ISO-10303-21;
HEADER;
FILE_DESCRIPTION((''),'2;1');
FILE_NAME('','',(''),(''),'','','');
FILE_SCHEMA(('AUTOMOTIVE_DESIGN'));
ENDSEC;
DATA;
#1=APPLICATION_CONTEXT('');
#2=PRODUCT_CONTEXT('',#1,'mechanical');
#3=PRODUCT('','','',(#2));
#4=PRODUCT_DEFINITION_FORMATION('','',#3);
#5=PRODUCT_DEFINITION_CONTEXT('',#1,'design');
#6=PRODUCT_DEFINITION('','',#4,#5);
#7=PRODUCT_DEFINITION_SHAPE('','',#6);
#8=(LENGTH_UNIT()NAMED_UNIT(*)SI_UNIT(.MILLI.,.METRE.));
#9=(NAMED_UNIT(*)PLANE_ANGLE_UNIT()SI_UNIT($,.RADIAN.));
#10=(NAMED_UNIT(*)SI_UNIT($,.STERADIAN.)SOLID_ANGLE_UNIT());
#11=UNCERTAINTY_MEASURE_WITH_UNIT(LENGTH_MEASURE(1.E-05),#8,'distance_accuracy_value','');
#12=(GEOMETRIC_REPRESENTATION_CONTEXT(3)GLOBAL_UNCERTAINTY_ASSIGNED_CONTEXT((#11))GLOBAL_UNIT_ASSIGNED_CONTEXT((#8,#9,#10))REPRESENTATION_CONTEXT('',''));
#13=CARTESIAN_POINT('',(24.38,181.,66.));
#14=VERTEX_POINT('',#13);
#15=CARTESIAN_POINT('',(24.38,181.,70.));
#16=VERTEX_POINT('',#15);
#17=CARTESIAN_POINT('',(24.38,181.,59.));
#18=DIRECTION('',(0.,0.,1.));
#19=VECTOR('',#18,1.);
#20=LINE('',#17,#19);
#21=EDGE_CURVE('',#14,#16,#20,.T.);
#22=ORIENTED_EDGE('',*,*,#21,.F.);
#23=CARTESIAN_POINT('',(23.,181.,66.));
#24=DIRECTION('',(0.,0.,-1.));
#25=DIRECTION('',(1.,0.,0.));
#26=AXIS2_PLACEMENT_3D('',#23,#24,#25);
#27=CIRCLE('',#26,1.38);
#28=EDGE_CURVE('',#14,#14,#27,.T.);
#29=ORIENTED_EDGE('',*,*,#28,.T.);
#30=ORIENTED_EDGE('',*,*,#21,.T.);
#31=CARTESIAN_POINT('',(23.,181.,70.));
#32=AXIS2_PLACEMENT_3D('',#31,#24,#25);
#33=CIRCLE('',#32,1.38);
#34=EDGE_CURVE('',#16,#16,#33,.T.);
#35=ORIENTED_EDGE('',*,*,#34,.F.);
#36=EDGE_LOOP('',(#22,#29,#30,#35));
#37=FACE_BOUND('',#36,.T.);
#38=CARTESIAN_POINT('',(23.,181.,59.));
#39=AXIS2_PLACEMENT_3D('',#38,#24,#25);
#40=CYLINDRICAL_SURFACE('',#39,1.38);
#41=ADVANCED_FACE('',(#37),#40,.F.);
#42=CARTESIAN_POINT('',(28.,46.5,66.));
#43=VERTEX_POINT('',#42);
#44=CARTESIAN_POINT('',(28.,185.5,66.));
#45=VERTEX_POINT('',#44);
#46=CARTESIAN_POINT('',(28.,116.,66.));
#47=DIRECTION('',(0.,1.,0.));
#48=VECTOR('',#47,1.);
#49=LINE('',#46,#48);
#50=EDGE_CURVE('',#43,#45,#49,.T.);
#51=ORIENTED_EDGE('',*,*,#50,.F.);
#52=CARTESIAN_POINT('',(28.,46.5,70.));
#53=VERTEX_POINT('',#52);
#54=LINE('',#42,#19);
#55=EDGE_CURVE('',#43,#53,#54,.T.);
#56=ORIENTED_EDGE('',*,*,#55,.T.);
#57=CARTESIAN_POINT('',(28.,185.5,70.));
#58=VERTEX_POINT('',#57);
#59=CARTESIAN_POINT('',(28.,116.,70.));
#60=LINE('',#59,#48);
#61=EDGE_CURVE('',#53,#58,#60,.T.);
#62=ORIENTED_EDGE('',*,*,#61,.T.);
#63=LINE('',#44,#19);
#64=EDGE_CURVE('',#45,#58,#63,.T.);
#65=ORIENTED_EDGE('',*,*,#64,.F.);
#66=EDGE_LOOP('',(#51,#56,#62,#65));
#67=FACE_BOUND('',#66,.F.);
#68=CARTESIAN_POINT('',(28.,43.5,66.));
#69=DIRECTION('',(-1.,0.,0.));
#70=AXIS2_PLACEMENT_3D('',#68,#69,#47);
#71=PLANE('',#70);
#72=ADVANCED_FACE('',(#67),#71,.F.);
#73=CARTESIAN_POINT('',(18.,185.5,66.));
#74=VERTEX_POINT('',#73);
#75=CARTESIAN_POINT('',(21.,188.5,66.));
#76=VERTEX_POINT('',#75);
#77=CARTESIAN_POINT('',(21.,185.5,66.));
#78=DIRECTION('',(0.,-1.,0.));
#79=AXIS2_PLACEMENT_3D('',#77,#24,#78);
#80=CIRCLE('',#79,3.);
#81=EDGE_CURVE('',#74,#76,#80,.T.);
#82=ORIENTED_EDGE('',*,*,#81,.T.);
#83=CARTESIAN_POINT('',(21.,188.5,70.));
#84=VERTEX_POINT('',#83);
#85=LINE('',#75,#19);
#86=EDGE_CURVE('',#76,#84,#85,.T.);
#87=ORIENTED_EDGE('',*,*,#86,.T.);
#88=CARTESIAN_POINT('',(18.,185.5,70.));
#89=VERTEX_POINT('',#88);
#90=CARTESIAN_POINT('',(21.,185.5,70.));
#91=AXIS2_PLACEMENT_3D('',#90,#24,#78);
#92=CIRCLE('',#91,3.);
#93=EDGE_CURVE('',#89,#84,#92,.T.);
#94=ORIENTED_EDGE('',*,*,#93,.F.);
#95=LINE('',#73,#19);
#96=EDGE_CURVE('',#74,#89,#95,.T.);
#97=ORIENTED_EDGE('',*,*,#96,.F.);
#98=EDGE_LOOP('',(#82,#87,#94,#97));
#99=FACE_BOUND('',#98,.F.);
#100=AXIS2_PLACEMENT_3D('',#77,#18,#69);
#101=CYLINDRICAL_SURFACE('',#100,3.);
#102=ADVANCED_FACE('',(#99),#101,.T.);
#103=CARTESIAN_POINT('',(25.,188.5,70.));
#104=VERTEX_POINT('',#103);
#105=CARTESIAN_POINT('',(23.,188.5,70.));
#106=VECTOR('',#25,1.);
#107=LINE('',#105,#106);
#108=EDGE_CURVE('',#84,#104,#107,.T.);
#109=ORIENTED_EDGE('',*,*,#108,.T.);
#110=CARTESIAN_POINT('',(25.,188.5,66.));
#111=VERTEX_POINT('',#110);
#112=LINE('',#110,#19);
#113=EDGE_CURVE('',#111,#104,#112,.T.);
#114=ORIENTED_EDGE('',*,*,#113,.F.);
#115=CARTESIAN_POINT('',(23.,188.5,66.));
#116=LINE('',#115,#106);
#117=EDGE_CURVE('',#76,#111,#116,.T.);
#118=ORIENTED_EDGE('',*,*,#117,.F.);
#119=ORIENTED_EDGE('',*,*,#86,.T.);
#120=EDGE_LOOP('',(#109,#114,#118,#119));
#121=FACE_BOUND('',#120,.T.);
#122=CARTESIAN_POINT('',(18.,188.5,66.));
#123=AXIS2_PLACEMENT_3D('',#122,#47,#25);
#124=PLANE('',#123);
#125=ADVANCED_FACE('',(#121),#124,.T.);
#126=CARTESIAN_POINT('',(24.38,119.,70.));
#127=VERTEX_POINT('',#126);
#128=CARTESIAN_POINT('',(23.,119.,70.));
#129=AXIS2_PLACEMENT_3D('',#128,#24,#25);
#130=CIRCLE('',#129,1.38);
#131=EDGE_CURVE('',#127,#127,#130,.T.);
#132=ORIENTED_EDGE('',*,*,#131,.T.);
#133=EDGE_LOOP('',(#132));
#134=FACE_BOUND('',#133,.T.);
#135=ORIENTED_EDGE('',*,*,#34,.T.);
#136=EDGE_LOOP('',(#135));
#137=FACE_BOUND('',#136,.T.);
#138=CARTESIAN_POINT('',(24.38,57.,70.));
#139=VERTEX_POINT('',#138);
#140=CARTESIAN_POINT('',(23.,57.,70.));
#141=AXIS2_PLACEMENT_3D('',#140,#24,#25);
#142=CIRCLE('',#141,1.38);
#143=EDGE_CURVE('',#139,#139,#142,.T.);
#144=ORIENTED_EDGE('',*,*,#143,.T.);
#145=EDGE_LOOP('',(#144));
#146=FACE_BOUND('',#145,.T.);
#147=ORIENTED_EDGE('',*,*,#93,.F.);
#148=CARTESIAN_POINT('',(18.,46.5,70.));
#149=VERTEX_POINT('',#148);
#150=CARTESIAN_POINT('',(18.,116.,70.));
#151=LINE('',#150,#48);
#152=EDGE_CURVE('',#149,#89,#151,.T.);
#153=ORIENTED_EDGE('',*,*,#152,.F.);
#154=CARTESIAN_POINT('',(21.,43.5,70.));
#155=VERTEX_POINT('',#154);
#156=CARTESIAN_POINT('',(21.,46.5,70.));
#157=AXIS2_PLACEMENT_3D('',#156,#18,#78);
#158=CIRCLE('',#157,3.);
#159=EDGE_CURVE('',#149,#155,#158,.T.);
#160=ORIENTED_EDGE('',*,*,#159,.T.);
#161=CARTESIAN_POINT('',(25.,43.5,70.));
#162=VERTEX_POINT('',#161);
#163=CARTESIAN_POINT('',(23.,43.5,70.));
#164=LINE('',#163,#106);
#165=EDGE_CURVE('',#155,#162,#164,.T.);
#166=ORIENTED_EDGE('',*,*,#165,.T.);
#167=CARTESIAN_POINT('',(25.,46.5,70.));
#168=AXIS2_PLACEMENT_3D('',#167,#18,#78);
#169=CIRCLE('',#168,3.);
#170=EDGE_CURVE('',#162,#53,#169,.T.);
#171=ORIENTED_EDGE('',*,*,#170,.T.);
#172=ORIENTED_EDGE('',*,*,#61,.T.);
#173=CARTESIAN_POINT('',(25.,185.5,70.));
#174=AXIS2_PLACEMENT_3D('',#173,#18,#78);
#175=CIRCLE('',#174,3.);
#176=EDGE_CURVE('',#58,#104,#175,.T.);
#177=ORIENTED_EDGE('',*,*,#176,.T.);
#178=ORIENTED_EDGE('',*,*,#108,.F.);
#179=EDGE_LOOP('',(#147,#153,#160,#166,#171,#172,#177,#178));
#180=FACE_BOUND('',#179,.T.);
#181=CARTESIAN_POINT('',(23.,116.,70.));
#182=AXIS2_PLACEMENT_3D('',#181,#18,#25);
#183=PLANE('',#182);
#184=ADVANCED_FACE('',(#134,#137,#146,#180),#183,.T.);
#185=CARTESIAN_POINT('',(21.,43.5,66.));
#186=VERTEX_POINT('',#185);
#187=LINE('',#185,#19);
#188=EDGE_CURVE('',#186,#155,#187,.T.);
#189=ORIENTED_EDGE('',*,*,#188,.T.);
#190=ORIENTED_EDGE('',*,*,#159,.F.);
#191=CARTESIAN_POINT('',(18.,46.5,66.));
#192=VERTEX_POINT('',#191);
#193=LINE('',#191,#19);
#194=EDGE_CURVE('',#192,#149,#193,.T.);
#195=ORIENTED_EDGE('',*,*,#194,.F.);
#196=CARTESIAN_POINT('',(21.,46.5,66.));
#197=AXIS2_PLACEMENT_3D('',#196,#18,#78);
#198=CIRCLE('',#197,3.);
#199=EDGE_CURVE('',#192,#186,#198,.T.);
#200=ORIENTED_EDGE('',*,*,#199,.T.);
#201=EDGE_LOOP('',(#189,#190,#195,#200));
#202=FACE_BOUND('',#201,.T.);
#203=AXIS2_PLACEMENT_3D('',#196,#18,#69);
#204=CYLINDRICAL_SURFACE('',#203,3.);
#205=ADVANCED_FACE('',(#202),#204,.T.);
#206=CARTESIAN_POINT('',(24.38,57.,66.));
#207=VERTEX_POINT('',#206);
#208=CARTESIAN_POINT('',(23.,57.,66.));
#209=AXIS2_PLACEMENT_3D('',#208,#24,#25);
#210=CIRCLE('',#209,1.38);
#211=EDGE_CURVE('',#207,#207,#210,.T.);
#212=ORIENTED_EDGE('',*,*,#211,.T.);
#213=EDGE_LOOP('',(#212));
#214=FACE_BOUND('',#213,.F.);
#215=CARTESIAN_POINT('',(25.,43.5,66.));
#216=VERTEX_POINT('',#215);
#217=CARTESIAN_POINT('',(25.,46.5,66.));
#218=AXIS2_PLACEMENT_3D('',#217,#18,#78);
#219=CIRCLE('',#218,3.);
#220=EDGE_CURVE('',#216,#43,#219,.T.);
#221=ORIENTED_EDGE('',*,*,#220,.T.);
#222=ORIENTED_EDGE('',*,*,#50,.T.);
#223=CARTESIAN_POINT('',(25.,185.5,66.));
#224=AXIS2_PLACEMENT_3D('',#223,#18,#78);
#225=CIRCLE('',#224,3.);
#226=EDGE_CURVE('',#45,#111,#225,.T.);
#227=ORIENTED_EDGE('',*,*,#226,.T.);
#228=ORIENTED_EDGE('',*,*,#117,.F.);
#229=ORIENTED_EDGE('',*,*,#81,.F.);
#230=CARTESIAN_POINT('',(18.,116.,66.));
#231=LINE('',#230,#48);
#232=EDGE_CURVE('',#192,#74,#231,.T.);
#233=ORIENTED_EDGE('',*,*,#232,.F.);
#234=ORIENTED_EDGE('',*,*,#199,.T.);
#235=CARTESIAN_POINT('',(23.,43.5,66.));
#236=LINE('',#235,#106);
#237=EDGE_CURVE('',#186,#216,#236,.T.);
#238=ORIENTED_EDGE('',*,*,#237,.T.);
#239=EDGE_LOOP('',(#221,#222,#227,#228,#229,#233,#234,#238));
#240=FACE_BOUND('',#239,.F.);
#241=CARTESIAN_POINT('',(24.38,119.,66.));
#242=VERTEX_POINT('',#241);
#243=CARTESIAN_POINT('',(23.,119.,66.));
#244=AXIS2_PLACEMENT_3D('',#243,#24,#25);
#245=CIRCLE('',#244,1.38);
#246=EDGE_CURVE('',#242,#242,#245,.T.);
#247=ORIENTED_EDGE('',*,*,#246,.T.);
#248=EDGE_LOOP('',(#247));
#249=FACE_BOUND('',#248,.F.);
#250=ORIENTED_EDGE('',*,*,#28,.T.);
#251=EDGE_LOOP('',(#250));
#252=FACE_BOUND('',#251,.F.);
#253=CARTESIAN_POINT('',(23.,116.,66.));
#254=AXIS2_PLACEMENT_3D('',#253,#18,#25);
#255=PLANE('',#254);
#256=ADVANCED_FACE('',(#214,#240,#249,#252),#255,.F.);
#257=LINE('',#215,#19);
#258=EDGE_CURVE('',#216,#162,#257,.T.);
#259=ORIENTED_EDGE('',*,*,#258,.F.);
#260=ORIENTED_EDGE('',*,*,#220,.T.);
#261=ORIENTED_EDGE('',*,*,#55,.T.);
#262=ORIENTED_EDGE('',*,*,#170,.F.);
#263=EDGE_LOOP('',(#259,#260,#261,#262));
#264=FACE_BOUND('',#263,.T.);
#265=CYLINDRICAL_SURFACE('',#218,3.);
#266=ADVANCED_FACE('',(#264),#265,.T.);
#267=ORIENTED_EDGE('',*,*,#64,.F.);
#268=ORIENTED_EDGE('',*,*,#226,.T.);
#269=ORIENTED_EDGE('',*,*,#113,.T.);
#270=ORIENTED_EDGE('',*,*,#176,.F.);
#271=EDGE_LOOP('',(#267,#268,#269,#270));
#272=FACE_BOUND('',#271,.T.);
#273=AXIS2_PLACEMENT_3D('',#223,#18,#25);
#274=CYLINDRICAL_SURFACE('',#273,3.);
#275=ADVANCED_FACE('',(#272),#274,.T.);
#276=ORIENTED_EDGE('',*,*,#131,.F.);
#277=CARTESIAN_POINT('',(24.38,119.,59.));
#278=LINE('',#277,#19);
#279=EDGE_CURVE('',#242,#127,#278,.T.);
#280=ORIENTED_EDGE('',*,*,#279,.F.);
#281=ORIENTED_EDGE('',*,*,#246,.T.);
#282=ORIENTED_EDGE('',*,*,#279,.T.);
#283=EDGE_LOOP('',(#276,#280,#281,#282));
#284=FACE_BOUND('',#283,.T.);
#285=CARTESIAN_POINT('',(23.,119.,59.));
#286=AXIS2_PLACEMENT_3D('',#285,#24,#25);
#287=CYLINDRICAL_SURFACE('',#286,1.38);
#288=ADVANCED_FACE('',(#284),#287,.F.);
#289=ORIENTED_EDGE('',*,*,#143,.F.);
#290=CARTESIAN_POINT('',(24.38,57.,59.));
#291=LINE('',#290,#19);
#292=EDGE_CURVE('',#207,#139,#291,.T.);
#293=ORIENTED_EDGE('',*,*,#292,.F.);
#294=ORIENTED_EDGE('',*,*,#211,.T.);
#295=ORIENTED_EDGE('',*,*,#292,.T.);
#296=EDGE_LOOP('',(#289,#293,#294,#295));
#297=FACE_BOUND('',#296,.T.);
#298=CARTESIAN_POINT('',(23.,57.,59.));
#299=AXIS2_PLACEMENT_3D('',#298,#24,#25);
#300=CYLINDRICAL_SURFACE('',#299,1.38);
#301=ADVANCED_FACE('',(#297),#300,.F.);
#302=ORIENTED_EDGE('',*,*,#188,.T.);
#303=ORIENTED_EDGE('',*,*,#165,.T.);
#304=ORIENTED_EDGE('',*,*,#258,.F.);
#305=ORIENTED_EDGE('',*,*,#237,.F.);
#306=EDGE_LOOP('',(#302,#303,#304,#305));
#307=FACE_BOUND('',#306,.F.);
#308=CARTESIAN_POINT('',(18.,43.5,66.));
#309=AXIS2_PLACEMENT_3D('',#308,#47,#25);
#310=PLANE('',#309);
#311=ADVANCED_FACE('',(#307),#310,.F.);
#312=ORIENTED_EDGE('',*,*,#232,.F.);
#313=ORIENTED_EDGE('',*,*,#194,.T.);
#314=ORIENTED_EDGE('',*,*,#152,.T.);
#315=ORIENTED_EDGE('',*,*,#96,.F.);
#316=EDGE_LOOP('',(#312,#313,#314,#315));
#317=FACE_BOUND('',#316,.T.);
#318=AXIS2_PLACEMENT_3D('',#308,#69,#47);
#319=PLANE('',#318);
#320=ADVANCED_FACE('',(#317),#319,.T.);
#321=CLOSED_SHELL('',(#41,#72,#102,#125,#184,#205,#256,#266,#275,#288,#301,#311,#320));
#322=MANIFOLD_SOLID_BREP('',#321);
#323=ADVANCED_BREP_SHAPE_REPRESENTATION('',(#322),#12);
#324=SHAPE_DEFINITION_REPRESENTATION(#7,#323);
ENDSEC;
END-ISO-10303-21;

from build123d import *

# Parameters (mm, degrees)
CYLINDER086_R     = 1.38
CYLINDER086_DEPTH = 13
CYLINDER088_R     = 1.38
CYLINDER088_DEPTH = 13
CYLINDER087_R     = 1.38
CYLINDER087_DEPTH = 13
BOX043_W          = 10
BOX043_H          = 145
BOX043_DEPTH      = 4
FILLET010_R       = 3


with BuildPart() as cylinder086:
    # Cylinder086 → Cylinder086 (new body)
    with BuildSketch(Plane(origin=(25, 188.5, 59), x_dir=(1, 0, 0), z_dir=(0, 0, 1))):
        Circle(CYLINDER086_R)
    extrude(amount=CYLINDER086_DEPTH)


with BuildPart() as cylinder088:
    # Cylinder088 → Cylinder088 (new body)
    with BuildSketch(Plane(origin=(25, 126.5, 59), x_dir=(1, 0, 0), z_dir=(0, 0, 1))):
        Circle(CYLINDER088_R)
    extrude(amount=CYLINDER088_DEPTH)


with BuildPart() as cylinder087:
    # Cylinder087 → Cylinder087 (new body)
    with BuildSketch(Plane(origin=(25, 64.5, 59), x_dir=(1, 0, 0), z_dir=(0, 0, 1))):
        Circle(CYLINDER087_R)
    extrude(amount=CYLINDER087_DEPTH)


with BuildPart() as uni_n_placas_final_recta:
    # Box043 → Box043 (new body)
    with BuildSketch(Plane(origin=(20, 51, 66), x_dir=(1, 0, 0), z_dir=(0, 0, 1))):
        with Locations((5, 72.5)):
            Rectangle(BOX043_W, BOX043_H)
    extrude(amount=BOX043_DEPTH)

    # Fillet010
    fillet010_edges = [uni_n_placas_final_recta.edges().sort_by_distance(p)[0] for p in [
        (20, 51, 68),
        (20, 196, 68),
        (30, 51, 68),
        (30, 196, 68),
    ]]
    fillet(fillet010_edges, radius=FILLET010_R)

    # Cut056: cut Cylinder087
    add(cylinder087.part, mode=Mode.SUBTRACT)

    # Cut057: cut Cylinder088
    add(cylinder088.part, mode=Mode.SUBTRACT)

    # Cut058: cut Cylinder086
    add(cylinder086.part, mode=Mode.SUBTRACT)


with BuildPart() as uni_n_placas_final_recta_1:
    # Cut058 placement: moved
    add(uni_n_placas_final_recta.part.moved(Location((-2, -7.5, 0))))


solid = uni_n_placas_final_recta_1.part
